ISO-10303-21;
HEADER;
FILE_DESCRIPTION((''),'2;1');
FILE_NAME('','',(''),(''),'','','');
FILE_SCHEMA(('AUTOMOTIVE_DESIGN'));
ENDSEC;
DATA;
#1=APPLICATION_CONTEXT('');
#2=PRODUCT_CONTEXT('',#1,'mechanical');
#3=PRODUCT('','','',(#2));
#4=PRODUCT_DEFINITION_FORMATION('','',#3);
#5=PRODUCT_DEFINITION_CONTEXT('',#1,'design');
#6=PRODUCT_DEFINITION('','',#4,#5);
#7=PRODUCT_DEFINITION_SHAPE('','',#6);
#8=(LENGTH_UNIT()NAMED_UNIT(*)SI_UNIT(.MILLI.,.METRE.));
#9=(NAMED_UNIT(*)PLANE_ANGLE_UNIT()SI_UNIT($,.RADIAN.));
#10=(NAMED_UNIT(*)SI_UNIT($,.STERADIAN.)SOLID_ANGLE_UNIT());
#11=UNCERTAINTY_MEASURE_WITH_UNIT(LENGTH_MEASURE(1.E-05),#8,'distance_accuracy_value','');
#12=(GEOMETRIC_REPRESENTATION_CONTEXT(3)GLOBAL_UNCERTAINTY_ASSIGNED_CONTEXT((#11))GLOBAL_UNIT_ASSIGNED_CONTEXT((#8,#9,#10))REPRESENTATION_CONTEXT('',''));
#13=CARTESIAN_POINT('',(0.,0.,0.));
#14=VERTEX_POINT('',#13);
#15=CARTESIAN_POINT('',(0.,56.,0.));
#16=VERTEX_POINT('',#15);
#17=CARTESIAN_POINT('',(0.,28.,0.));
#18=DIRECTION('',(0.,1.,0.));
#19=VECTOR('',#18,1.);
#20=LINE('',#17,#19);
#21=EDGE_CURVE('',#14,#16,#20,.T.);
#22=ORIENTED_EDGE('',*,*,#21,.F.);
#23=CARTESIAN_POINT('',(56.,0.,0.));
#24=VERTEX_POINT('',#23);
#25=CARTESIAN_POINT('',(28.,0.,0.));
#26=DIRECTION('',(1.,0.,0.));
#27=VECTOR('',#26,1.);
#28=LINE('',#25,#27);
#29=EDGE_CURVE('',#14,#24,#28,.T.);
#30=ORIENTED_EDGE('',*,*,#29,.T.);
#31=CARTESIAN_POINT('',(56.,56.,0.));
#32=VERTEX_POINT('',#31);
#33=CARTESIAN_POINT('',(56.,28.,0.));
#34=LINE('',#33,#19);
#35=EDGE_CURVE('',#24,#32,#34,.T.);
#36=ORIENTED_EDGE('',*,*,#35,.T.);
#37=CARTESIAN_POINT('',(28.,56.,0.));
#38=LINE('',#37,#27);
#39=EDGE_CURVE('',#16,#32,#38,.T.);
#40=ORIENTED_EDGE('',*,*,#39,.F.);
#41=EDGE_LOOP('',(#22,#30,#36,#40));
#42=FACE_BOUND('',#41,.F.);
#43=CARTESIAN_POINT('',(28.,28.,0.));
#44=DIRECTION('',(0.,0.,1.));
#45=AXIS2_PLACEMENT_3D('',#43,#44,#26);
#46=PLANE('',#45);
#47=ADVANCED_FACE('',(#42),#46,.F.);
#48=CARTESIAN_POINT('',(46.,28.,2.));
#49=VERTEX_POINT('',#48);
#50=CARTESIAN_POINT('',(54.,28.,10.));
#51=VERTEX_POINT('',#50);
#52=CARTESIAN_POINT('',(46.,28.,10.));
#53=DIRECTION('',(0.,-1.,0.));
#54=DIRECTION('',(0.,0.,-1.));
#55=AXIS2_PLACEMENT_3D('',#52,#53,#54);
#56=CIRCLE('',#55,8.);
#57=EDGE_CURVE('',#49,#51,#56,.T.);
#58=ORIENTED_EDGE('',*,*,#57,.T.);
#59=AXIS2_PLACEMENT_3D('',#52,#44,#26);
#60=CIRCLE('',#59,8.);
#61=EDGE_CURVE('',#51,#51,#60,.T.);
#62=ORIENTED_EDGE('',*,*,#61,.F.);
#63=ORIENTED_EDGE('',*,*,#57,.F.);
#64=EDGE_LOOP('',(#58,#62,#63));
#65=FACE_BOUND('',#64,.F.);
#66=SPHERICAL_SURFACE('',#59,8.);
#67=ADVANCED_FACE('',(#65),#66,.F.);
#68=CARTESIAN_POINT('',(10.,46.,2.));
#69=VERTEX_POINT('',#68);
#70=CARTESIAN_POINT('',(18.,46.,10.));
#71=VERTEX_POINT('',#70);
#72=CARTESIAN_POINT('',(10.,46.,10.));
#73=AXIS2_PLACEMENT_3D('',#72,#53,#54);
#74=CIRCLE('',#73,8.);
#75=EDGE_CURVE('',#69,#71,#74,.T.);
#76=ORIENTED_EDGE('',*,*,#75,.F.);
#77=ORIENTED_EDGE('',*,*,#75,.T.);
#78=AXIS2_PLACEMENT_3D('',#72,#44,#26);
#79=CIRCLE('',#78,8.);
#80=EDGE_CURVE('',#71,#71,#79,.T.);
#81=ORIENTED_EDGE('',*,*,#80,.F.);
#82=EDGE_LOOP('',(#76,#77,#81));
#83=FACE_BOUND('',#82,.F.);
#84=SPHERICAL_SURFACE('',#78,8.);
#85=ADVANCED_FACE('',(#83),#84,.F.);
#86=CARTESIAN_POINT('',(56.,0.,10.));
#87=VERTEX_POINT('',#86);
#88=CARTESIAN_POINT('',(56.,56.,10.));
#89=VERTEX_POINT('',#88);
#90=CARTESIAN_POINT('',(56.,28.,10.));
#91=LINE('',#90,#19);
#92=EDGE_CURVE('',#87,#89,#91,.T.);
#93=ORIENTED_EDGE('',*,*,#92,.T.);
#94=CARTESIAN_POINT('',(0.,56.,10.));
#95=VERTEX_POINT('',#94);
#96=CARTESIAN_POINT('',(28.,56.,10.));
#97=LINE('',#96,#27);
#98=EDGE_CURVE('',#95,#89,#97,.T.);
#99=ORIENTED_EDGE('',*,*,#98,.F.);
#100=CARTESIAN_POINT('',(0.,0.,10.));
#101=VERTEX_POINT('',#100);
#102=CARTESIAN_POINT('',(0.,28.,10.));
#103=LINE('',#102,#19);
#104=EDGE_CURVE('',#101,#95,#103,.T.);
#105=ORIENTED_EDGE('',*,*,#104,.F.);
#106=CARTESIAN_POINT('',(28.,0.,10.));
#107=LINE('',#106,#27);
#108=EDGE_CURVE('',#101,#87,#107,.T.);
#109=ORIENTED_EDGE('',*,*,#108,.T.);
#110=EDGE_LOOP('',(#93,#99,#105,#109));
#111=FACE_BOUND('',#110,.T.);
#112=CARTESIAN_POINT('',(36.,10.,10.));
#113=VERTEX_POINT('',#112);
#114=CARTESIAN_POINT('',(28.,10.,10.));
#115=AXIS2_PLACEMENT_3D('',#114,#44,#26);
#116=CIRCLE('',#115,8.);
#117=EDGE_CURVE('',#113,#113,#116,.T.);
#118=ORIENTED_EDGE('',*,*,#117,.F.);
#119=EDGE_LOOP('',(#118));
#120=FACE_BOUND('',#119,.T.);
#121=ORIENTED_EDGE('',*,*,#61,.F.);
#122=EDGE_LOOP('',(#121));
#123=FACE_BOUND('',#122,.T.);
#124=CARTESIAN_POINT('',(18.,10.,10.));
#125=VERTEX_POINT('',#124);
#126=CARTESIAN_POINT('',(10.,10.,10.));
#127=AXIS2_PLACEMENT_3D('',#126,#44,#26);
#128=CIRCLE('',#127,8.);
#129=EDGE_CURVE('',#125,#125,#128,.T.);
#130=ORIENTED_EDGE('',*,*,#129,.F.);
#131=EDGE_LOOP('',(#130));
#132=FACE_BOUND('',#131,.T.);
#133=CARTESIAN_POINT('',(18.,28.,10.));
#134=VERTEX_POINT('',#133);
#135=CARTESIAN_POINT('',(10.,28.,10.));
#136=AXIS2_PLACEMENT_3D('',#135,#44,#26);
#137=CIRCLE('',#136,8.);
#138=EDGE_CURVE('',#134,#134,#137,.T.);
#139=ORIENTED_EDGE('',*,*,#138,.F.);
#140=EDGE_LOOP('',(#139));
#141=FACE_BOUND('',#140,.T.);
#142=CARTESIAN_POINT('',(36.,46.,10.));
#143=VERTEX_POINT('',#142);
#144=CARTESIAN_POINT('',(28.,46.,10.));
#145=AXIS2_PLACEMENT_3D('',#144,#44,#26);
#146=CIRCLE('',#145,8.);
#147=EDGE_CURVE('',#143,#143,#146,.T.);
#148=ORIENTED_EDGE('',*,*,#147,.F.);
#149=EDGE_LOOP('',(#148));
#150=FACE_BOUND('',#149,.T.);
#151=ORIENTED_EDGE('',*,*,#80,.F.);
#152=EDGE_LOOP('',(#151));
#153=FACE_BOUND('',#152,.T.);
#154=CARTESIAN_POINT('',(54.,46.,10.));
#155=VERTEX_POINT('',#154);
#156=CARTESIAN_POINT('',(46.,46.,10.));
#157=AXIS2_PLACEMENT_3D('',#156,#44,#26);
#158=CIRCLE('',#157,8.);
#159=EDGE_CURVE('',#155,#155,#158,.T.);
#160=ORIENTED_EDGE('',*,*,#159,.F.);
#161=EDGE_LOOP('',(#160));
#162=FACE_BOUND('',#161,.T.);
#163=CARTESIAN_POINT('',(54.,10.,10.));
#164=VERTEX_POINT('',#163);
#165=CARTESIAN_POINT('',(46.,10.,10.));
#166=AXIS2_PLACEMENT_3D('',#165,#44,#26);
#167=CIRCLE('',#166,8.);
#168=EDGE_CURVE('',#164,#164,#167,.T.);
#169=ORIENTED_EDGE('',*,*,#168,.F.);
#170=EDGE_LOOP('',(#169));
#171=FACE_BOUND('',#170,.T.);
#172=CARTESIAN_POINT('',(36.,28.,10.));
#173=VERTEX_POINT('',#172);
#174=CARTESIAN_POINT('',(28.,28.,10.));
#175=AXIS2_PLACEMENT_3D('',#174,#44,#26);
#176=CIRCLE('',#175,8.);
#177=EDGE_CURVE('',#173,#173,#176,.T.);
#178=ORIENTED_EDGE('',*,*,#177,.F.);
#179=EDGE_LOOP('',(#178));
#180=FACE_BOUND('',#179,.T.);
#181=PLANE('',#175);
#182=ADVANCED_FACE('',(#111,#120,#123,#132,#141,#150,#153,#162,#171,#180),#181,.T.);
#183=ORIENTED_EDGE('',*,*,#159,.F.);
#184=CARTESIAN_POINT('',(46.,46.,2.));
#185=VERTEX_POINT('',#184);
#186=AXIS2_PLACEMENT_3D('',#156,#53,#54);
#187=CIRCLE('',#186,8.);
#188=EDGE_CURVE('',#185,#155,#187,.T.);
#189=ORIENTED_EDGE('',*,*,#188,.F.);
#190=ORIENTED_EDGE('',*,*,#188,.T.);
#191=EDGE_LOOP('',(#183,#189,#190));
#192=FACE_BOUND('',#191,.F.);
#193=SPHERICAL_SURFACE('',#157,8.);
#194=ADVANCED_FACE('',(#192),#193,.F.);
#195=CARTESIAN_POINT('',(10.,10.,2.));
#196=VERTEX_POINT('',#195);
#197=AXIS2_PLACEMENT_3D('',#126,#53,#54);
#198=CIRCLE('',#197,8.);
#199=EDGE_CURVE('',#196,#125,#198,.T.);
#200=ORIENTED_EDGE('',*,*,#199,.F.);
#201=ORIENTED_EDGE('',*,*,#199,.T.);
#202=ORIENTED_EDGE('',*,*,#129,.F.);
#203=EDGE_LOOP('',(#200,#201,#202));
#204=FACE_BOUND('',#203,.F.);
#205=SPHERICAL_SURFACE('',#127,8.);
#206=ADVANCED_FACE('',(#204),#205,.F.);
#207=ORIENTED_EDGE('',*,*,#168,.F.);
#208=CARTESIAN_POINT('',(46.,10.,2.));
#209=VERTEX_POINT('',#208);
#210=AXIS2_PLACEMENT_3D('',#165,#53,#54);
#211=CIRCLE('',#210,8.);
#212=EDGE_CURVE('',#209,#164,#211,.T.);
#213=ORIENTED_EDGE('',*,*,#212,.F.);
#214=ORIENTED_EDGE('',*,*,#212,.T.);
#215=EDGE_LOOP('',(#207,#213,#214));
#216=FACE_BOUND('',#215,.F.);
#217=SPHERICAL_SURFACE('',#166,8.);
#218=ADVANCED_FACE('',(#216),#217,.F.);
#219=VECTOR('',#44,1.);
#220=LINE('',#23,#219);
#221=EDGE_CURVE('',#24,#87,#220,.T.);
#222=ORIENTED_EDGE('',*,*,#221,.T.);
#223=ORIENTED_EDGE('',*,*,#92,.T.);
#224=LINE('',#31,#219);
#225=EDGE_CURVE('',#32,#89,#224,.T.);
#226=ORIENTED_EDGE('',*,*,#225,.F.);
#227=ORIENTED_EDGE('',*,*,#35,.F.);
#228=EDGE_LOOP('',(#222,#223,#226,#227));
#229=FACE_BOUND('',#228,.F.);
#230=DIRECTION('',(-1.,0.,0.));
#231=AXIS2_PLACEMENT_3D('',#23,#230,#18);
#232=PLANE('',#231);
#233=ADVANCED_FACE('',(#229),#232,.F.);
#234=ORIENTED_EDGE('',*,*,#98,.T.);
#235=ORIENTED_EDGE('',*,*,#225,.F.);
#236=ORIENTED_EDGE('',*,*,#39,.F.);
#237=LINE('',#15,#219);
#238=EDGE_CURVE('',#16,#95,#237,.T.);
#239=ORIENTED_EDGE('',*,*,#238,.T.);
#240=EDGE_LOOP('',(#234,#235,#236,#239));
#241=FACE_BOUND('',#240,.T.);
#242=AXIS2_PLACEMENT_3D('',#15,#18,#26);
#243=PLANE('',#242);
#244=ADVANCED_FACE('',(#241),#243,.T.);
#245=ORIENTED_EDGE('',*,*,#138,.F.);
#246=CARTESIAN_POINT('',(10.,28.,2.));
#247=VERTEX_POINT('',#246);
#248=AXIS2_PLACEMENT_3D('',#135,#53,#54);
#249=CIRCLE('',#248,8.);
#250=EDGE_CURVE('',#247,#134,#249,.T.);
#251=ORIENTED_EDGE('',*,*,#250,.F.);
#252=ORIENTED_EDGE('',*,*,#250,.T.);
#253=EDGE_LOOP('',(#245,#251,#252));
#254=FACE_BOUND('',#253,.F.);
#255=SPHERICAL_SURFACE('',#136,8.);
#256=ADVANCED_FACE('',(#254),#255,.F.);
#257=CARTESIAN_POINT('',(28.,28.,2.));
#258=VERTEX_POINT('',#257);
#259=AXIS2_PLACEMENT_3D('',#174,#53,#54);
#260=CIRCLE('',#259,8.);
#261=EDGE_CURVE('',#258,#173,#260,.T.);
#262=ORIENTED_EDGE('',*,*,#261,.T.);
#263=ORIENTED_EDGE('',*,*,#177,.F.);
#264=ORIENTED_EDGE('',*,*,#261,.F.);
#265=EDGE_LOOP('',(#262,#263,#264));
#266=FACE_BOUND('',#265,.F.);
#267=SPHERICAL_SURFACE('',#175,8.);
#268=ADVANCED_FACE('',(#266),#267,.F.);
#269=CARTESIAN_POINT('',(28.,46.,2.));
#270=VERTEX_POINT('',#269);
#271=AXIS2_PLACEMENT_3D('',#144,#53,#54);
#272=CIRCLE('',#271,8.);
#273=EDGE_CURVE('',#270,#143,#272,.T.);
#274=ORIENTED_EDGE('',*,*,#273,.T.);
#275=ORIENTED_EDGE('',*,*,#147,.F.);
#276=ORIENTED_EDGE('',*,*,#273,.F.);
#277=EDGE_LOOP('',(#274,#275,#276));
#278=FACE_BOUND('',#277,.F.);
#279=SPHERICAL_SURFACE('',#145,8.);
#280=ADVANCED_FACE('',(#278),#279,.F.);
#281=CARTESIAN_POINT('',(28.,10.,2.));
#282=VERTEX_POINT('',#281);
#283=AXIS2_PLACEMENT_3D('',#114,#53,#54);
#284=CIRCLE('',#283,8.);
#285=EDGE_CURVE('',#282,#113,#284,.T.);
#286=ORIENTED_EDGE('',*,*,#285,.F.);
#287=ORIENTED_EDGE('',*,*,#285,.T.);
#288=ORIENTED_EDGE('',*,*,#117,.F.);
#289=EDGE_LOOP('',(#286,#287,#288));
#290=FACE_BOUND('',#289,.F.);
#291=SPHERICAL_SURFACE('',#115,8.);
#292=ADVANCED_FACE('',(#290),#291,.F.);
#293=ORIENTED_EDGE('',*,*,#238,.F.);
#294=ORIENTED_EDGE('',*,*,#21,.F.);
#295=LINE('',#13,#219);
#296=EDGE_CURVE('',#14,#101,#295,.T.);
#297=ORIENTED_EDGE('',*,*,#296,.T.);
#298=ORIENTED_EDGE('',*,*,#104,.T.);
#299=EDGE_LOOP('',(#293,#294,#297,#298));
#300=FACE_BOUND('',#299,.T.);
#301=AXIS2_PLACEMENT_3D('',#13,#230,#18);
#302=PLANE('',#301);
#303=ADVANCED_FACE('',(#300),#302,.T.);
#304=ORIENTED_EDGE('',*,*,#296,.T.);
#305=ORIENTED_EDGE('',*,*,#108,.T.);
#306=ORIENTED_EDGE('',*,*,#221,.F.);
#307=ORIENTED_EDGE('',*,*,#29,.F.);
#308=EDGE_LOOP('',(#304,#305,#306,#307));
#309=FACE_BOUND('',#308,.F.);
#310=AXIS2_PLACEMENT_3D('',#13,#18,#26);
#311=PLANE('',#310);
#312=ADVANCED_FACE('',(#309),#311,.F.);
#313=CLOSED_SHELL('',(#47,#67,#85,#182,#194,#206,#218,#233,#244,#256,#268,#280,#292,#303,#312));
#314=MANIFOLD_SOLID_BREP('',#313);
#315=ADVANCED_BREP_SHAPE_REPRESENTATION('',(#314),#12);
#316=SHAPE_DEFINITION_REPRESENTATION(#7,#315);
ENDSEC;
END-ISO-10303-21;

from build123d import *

# Parameters (mm, degrees)
ARRAY_X_COUNT = 3
ARRAY_X_PITCH = 18
ARRAY_Y_COUNT = 3
ARRAY_Y_PITCH = 18
BOX_W         = 56
BOX_H         = 56
BOX_DEPTH     = 10


with BuildPart() as array:
    # Sphere → Sphere (revolve)
    with BuildSketch(Plane.XZ):
        with BuildLine():
            ThreePointArc((0, -8), (8, 0), (0, 8))
            Line((0, 8), (0, -8))
        make_face()
    revolve(axis=Axis((0, 0, 0), (0, 0, 1)))

    # Array X: Array ×3


with BuildPart() as array_1:
    add(array.part)
    with Locations(*[(i * ARRAY_X_PITCH, 0, 0) for i in range(1, ARRAY_X_COUNT)]):
        add(array.part)

    # Array Y: Array ×3


with BuildPart() as array_2:
    add(array_1.part)
    with Locations(*[(0, i * ARRAY_Y_PITCH, 0) for i in range(1, ARRAY_Y_COUNT)]):
        add(array_1.part)


with BuildPart() as array_3:
    # Array placement: moved
    add(array_2.part.moved(Location((10, 10, 10))))


with BuildPart() as cut:
    # Box → Box (new body)
    with BuildSketch(Plane.XY):
        with Locations((28, 28)):
            Rectangle(BOX_W, BOX_H)
    extrude(amount=BOX_DEPTH)

    # Cut: cut Array
    add(array_3.part, mode=Mode.SUBTRACT)


solid = cut.part
